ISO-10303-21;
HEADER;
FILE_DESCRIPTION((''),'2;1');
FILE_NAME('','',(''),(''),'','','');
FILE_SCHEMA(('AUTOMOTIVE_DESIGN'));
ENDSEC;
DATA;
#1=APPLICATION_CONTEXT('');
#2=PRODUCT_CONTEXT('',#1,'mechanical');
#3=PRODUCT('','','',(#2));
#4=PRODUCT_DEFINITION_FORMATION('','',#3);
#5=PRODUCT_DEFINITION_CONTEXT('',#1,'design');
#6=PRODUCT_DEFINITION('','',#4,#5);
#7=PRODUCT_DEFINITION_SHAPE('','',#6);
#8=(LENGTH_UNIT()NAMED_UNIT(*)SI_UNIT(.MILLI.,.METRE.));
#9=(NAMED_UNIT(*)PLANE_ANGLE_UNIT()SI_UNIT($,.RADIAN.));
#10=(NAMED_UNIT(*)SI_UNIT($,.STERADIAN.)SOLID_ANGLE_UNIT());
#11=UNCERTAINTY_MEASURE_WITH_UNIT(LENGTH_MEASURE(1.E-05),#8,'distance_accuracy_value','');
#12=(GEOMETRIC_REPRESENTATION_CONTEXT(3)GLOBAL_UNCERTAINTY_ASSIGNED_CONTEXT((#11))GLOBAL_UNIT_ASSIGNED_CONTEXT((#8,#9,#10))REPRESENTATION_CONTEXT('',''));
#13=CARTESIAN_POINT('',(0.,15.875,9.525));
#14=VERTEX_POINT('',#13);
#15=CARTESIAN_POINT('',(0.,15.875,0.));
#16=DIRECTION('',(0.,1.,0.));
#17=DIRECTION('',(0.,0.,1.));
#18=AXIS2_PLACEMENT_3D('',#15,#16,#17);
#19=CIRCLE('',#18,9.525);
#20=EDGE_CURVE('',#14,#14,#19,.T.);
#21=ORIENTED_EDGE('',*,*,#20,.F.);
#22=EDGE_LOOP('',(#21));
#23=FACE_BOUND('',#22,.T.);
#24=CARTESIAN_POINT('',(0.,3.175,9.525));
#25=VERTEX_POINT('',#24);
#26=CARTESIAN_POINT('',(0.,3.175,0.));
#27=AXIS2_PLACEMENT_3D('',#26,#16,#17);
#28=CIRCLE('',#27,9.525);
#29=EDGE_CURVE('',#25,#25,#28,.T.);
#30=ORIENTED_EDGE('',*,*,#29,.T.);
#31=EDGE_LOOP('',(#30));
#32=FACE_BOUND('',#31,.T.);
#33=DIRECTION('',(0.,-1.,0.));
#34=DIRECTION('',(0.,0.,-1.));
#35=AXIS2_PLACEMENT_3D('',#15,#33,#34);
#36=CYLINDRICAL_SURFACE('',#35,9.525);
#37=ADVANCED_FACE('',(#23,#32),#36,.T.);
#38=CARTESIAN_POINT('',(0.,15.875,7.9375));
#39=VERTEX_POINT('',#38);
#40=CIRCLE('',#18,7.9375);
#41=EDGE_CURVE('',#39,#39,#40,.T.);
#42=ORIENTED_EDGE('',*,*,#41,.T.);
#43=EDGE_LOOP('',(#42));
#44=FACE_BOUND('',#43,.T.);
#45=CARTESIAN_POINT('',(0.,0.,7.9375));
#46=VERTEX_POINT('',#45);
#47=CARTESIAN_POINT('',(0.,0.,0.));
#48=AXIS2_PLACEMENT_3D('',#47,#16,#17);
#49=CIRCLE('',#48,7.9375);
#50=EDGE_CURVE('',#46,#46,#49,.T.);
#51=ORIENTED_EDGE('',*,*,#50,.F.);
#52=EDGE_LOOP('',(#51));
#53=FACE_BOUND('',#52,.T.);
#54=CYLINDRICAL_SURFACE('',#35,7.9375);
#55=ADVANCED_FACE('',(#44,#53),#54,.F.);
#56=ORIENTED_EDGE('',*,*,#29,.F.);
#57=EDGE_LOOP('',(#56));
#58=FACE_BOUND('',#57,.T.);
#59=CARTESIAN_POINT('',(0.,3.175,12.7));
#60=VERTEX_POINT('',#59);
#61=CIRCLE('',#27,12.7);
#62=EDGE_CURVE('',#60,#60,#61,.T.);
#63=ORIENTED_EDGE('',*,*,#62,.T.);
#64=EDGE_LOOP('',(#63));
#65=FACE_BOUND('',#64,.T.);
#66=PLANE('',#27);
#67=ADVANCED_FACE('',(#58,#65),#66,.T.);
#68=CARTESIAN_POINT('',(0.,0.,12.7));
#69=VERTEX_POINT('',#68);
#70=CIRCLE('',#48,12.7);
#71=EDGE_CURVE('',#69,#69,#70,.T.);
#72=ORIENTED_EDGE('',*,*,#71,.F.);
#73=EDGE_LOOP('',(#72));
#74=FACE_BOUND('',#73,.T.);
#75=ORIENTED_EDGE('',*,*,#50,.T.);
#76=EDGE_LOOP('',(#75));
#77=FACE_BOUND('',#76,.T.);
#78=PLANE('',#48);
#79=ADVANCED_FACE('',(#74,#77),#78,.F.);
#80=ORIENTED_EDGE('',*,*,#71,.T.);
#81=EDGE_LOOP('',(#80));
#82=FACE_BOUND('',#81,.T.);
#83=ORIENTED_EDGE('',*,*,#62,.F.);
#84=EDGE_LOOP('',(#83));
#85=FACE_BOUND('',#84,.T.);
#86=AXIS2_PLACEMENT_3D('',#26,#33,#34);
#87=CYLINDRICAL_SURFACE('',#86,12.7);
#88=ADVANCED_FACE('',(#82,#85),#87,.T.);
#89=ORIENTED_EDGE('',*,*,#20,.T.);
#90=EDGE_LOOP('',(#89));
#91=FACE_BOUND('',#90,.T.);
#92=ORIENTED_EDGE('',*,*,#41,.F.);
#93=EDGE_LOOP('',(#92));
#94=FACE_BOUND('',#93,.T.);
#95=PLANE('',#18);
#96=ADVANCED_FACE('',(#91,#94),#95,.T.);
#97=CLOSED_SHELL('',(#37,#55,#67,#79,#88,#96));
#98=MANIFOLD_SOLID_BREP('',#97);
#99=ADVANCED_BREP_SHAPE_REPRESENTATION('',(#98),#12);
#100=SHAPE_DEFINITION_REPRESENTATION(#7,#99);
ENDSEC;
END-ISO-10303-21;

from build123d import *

# Parameters (mm, degrees)
SKETCH2_R           = 9.525
SKETCH2_R_2         = 7.9375
BOSS_EXTRUDE1_DEPTH = 15.875
SKETCH3_R           = 12.7
SKETCH3_R_2         = 9.525
BOSS_EXTRUDE2_DEPTH = 3.175


with BuildPart() as part:
    # Sketch2 → Boss-Extrude1 (new body)
    with BuildSketch(Plane(origin=(0, 0, 0), x_dir=(1, 0, 0), z_dir=(0, 1, 0))):
        Circle(SKETCH2_R)
        Circle(SKETCH2_R_2, mode=Mode.SUBTRACT)
    extrude(amount=BOSS_EXTRUDE1_DEPTH)

    # Sketch3 → Boss-Extrude2 (add)
    with BuildSketch(Plane(origin=(0, 0, 0), x_dir=(1, 0, 0), z_dir=(0, 1, 0))):
        Circle(SKETCH3_R)
        Circle(SKETCH3_R_2, mode=Mode.SUBTRACT)
    extrude(amount=BOSS_EXTRUDE2_DEPTH)


solid = part.part
